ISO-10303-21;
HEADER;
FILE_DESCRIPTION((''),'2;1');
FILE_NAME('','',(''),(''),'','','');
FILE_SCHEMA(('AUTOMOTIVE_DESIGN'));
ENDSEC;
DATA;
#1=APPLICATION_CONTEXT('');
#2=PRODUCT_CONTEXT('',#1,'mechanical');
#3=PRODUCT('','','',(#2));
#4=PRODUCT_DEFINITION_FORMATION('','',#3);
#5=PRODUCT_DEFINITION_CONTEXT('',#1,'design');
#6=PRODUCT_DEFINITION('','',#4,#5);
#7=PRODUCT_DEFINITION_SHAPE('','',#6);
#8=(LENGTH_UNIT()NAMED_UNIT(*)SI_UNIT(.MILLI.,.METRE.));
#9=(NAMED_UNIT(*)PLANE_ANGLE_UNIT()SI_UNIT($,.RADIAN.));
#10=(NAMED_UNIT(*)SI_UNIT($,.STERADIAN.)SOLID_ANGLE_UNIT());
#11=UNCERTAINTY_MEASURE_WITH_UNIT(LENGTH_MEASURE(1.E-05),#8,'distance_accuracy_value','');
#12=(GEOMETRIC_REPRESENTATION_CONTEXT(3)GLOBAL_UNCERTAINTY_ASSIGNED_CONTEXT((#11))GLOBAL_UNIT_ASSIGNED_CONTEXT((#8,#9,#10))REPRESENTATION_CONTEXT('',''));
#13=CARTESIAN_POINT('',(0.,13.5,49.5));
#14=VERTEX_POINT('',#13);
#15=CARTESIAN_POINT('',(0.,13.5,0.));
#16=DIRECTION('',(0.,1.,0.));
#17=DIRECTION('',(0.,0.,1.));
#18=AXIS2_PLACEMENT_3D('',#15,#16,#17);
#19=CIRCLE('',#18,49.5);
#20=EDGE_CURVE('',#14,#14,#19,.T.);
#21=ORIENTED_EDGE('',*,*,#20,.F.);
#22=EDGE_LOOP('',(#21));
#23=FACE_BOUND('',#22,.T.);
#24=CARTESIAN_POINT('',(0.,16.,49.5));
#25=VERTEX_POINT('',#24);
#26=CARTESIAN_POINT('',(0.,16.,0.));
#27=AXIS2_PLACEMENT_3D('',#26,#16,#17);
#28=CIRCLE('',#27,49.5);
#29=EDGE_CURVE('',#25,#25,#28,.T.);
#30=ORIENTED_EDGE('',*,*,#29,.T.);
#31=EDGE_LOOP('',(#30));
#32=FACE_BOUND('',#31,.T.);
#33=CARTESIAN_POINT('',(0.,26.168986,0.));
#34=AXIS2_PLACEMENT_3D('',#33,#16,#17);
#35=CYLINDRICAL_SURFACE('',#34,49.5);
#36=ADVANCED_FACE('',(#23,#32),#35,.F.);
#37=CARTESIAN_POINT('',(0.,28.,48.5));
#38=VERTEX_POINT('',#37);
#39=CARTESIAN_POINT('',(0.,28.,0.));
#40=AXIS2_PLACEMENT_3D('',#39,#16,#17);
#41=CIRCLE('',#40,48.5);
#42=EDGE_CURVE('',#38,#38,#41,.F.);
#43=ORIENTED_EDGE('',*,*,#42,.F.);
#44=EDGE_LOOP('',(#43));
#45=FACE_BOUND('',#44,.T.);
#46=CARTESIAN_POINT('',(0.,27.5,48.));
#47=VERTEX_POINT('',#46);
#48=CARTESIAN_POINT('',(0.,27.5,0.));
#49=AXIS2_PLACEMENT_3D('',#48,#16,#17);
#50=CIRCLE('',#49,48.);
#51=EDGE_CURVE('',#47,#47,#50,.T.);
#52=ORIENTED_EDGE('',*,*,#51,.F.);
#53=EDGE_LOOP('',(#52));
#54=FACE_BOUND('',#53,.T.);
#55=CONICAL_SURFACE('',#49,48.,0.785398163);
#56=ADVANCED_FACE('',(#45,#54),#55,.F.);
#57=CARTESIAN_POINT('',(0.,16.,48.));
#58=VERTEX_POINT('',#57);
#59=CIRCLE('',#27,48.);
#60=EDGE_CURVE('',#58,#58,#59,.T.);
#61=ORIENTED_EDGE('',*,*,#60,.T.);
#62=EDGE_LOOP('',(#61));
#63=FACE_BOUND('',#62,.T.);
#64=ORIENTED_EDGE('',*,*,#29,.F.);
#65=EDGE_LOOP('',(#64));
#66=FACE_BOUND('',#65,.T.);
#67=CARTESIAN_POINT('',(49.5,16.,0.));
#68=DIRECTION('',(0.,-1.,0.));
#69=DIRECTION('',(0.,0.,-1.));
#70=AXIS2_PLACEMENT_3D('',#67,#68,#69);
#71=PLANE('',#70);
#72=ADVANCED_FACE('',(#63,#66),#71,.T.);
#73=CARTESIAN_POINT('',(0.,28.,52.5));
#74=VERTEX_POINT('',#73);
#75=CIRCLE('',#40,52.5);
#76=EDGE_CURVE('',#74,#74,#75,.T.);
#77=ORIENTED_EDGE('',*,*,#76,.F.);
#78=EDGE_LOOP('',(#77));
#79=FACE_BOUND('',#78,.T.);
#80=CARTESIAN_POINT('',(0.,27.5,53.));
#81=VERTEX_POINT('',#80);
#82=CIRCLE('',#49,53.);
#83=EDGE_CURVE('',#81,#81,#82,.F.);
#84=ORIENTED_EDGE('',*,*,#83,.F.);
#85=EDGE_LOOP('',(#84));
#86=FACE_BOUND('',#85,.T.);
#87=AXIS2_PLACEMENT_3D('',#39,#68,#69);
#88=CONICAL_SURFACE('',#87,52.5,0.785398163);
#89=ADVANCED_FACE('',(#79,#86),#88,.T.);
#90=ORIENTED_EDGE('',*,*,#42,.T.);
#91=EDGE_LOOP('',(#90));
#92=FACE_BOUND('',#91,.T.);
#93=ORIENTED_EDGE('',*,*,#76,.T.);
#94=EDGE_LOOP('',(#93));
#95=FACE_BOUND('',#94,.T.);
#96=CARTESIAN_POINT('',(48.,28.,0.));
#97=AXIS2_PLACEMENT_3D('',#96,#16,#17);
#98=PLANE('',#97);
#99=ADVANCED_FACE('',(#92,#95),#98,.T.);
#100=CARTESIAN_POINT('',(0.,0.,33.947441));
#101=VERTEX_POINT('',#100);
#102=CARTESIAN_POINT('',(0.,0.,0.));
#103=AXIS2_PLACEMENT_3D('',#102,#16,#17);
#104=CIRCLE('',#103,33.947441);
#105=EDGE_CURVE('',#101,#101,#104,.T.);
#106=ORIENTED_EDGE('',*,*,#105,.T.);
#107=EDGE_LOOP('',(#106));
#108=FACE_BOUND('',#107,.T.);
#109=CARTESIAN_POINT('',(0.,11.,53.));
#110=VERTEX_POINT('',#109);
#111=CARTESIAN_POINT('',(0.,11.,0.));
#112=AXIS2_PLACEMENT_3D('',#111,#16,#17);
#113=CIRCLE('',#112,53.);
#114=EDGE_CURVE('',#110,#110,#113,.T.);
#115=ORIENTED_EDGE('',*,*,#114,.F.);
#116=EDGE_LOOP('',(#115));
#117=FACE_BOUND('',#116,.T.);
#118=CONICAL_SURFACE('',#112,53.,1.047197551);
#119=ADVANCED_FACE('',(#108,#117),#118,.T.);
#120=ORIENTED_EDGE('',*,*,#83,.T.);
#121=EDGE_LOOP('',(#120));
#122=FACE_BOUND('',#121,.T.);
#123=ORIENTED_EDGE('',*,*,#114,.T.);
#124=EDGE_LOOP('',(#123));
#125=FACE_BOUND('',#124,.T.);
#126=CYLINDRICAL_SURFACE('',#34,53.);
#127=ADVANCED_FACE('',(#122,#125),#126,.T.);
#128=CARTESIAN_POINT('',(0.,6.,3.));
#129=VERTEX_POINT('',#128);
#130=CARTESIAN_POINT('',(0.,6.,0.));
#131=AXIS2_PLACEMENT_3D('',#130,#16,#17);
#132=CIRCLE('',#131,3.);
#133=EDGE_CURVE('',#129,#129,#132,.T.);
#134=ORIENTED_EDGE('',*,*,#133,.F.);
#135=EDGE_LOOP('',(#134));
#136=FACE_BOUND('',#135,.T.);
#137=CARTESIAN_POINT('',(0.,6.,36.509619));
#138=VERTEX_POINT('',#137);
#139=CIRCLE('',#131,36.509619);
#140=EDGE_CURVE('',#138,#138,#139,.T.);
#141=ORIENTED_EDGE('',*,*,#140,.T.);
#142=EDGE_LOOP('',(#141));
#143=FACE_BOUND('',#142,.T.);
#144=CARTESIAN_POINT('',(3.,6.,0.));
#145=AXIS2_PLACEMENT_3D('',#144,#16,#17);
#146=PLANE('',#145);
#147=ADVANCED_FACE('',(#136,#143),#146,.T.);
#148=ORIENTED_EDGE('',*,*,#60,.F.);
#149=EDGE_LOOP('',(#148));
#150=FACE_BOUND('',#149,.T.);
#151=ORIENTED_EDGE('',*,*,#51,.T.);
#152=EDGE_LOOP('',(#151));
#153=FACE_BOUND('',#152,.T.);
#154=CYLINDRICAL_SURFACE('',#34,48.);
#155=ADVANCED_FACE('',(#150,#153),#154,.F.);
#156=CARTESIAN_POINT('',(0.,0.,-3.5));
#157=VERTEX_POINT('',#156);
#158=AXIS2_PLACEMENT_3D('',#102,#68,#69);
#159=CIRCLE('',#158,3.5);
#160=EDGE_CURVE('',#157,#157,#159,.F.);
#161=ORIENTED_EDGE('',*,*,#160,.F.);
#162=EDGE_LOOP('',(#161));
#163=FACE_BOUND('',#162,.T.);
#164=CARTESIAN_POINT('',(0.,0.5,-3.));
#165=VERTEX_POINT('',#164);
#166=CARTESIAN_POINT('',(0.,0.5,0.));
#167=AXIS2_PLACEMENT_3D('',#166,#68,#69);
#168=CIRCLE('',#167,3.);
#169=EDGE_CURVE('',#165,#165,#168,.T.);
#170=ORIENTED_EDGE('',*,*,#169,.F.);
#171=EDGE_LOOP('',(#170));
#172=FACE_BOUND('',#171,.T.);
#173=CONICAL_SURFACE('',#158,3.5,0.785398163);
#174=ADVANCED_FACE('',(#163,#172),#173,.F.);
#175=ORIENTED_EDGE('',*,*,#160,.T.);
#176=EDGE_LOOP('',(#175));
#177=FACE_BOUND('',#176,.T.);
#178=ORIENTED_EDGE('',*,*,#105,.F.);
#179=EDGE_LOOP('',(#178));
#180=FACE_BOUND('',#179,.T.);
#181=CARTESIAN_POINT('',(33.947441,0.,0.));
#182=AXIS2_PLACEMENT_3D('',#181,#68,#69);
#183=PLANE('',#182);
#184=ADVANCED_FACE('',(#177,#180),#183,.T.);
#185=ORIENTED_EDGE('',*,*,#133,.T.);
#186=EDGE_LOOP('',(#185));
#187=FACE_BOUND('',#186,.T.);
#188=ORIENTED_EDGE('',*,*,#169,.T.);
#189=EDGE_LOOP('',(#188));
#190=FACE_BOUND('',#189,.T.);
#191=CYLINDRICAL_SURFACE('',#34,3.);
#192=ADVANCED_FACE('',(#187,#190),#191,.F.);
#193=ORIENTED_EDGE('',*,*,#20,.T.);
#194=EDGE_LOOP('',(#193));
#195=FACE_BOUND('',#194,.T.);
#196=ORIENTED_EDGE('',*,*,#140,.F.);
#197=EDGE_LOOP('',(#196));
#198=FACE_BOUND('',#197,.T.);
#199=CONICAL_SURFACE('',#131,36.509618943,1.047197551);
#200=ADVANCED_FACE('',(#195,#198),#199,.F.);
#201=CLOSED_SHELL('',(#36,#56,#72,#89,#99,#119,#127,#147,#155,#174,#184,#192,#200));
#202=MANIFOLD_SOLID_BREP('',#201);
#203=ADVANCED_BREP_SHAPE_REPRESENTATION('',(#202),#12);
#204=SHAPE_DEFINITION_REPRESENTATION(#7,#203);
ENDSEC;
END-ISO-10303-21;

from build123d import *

# Parameters (mm, degrees)
CHAMFER_1_SIZE = 0.5


with BuildPart() as part:
    # Эскиз1 → Повернуть1 (revolve)
    with BuildSketch(Plane.XY):
        Polygon((-53, 28), (-53, 11), (-33.947441117, 0), (-3, 0), (-3, 6), (-36.509618943, 6), (-49.5, 13.5), (-49.5, 16), (-48, 16), (-48, 28), align=None)
    revolve(axis=Axis((0, 26.168985987, 0), (0, -1, 0)))

    # Фаска1
    chamfer_1_edges = [part.edges().sort_by_distance(p)[0] for p in [
        (3, 0, 0),
        (53, 28, 0),
        (48, 28, 0),
    ]]
    chamfer(chamfer_1_edges, length=CHAMFER_1_SIZE)


solid = part.part
